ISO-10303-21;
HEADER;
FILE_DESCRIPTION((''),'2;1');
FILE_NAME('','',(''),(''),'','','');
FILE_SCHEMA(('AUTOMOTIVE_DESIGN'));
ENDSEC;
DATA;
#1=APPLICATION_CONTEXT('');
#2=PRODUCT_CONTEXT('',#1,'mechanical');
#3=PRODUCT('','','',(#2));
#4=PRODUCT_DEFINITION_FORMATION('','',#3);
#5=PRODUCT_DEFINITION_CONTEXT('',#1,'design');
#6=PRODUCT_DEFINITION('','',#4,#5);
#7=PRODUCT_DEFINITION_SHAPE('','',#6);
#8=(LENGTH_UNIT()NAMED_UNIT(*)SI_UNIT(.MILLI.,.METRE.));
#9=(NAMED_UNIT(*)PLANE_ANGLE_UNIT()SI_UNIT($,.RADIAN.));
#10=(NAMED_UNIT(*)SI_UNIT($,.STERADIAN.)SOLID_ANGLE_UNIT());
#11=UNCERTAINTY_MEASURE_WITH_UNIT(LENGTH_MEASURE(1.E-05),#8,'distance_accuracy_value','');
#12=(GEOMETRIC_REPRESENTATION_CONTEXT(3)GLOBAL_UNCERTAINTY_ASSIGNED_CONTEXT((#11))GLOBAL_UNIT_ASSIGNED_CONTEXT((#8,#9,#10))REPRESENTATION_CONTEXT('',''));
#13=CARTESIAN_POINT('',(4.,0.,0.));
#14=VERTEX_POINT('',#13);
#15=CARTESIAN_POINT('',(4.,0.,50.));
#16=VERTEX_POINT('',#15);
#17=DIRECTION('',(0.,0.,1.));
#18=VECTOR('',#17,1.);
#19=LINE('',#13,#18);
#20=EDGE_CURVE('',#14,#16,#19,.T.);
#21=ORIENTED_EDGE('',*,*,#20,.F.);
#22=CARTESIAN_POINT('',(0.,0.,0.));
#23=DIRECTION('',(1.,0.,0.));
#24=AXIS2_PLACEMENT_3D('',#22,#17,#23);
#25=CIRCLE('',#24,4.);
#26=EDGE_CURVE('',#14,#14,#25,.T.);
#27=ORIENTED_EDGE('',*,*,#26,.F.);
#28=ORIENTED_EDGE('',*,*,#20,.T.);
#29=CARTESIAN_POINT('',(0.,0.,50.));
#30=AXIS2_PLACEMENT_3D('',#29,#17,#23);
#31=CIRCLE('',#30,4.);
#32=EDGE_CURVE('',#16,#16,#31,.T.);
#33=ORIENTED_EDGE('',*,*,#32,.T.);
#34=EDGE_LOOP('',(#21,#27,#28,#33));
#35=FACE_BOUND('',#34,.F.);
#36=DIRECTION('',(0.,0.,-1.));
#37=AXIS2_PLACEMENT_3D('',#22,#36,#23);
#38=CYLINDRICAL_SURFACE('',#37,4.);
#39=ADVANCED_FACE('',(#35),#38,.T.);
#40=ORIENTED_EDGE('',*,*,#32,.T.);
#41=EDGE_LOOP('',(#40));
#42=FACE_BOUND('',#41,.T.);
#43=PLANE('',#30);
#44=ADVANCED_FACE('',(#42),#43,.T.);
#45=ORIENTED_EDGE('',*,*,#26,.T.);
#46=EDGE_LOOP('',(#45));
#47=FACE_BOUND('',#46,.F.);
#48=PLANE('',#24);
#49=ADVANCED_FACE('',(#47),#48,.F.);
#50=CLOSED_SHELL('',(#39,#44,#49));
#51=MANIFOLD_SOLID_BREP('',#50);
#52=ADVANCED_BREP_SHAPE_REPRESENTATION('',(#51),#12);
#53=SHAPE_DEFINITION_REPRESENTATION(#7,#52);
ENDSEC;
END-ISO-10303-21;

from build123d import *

# Parameters (mm, degrees)
SKETCH_R  = 4
PAD_DEPTH = 50


with BuildPart() as part:
    # Sketch → Pad (new body)
    with BuildSketch(Plane.XY):
        Circle(SKETCH_R)
    extrude(amount=PAD_DEPTH)


solid = part.part
